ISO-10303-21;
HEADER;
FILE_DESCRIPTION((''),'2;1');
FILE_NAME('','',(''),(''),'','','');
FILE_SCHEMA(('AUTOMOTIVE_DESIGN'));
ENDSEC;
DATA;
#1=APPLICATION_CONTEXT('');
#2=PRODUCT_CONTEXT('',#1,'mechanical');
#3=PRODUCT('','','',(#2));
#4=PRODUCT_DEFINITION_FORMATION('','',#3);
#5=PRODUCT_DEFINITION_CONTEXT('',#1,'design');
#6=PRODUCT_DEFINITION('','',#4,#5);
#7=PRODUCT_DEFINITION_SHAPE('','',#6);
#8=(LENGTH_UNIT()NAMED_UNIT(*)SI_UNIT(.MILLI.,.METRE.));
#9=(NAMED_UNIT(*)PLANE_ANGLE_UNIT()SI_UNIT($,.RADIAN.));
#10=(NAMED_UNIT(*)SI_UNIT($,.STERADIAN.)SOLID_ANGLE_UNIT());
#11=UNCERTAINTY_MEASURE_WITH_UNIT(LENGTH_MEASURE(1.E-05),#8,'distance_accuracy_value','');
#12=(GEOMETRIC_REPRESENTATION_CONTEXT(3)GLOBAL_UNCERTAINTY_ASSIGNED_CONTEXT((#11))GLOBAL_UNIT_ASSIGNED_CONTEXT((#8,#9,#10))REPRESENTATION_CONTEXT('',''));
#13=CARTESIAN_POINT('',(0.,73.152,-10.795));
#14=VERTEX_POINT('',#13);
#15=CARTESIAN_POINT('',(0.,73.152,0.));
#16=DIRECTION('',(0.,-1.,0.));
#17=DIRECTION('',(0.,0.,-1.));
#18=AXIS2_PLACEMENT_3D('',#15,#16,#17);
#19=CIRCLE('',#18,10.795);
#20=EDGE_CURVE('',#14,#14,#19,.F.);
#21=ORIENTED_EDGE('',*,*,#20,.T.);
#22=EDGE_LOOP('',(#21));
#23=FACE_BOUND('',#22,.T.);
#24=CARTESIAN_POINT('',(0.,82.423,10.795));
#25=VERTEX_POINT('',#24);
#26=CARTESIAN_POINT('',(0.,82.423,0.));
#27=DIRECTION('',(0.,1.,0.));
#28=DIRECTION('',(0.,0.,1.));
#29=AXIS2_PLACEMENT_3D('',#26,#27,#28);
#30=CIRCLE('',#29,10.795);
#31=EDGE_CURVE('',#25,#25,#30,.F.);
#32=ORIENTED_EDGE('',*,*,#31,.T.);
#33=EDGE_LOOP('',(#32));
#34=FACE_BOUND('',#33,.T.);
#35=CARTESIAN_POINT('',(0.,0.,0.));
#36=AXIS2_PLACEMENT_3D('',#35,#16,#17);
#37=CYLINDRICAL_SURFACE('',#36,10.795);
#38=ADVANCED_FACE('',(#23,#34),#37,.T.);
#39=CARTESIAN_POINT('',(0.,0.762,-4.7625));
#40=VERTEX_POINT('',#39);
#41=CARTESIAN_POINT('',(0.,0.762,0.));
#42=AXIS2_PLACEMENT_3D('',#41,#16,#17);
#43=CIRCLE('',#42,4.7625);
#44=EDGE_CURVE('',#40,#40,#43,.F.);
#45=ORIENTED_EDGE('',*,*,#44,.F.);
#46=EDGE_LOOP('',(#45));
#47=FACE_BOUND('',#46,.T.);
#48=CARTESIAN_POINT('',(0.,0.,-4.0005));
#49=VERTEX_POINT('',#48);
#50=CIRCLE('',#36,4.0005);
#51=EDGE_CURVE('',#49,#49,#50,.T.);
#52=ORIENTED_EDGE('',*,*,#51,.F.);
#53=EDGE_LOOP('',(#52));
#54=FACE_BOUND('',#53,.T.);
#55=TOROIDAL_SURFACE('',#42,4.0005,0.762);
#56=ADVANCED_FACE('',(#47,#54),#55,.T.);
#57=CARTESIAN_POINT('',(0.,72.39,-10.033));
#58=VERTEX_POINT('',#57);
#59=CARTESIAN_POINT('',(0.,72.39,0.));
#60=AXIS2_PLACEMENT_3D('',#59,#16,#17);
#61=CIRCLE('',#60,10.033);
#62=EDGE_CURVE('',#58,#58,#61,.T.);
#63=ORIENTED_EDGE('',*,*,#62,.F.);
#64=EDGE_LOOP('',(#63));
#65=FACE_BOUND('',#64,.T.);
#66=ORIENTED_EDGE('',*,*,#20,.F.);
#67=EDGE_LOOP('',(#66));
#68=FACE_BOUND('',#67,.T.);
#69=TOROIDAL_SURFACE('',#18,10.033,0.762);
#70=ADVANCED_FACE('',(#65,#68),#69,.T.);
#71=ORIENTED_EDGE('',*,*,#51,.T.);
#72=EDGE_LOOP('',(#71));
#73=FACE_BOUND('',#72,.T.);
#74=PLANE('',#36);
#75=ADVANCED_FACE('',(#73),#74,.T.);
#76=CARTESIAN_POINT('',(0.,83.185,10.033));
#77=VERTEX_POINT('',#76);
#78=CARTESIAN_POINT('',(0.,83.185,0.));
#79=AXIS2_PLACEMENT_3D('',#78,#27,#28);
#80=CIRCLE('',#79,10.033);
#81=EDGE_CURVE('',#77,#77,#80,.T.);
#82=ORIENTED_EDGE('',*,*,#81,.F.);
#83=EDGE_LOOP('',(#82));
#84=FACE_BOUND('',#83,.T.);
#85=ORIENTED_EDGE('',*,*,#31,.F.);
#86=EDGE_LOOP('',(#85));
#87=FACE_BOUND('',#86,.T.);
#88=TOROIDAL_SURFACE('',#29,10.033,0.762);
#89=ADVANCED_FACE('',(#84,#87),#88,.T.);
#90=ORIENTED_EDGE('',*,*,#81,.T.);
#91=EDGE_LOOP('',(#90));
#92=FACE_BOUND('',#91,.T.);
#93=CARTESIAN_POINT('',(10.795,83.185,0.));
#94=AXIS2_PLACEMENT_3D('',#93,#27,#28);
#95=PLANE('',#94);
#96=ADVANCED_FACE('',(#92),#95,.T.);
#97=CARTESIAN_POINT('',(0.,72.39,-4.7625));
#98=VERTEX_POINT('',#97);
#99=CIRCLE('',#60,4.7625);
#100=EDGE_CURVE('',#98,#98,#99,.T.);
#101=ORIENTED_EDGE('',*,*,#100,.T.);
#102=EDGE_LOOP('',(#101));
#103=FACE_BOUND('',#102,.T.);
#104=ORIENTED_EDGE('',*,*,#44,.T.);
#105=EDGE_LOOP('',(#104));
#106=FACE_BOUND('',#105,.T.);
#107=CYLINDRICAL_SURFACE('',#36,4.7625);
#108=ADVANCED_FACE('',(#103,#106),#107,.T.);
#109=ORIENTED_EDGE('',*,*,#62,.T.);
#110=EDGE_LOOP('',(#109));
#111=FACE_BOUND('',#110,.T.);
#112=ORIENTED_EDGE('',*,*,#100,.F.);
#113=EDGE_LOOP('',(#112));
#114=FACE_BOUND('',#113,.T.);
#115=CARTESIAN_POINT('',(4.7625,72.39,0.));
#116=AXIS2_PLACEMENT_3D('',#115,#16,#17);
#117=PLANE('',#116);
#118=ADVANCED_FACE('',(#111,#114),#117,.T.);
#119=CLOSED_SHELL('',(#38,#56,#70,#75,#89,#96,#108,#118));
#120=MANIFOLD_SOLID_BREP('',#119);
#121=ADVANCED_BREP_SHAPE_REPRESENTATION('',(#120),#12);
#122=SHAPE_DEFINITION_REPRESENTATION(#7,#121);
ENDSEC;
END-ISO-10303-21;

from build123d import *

# Parameters (mm, degrees)
FILLET1_R = 0.762


with BuildPart() as part:
    # Sketch1 → Revolve1 (revolve)
    with BuildSketch(Plane.XY, mode=Mode.PRIVATE) as revolve1_sk:
        Polygon((0, 0), (4.7625, 0), (4.7625, 72.39), (10.795, 72.39), (10.795, 83.185), (0, 83.185), align=None)
    revolve(revolve1_sk.sketch.rotate(Axis((0, 0, 0), (0, 1, 0)), 90), axis=Axis((0, 0, 0), (0, 1, 0)))

    # Fillet1
    fillet1_edges = [part.edges().sort_by_distance(p)[0] for p in [
        (0, 83.185, 10.795),
        (0, 72.39, 10.795),
        (0, 0, 4.7625),
    ]]
    fillet(fillet1_edges, radius=FILLET1_R)


solid = part.part
